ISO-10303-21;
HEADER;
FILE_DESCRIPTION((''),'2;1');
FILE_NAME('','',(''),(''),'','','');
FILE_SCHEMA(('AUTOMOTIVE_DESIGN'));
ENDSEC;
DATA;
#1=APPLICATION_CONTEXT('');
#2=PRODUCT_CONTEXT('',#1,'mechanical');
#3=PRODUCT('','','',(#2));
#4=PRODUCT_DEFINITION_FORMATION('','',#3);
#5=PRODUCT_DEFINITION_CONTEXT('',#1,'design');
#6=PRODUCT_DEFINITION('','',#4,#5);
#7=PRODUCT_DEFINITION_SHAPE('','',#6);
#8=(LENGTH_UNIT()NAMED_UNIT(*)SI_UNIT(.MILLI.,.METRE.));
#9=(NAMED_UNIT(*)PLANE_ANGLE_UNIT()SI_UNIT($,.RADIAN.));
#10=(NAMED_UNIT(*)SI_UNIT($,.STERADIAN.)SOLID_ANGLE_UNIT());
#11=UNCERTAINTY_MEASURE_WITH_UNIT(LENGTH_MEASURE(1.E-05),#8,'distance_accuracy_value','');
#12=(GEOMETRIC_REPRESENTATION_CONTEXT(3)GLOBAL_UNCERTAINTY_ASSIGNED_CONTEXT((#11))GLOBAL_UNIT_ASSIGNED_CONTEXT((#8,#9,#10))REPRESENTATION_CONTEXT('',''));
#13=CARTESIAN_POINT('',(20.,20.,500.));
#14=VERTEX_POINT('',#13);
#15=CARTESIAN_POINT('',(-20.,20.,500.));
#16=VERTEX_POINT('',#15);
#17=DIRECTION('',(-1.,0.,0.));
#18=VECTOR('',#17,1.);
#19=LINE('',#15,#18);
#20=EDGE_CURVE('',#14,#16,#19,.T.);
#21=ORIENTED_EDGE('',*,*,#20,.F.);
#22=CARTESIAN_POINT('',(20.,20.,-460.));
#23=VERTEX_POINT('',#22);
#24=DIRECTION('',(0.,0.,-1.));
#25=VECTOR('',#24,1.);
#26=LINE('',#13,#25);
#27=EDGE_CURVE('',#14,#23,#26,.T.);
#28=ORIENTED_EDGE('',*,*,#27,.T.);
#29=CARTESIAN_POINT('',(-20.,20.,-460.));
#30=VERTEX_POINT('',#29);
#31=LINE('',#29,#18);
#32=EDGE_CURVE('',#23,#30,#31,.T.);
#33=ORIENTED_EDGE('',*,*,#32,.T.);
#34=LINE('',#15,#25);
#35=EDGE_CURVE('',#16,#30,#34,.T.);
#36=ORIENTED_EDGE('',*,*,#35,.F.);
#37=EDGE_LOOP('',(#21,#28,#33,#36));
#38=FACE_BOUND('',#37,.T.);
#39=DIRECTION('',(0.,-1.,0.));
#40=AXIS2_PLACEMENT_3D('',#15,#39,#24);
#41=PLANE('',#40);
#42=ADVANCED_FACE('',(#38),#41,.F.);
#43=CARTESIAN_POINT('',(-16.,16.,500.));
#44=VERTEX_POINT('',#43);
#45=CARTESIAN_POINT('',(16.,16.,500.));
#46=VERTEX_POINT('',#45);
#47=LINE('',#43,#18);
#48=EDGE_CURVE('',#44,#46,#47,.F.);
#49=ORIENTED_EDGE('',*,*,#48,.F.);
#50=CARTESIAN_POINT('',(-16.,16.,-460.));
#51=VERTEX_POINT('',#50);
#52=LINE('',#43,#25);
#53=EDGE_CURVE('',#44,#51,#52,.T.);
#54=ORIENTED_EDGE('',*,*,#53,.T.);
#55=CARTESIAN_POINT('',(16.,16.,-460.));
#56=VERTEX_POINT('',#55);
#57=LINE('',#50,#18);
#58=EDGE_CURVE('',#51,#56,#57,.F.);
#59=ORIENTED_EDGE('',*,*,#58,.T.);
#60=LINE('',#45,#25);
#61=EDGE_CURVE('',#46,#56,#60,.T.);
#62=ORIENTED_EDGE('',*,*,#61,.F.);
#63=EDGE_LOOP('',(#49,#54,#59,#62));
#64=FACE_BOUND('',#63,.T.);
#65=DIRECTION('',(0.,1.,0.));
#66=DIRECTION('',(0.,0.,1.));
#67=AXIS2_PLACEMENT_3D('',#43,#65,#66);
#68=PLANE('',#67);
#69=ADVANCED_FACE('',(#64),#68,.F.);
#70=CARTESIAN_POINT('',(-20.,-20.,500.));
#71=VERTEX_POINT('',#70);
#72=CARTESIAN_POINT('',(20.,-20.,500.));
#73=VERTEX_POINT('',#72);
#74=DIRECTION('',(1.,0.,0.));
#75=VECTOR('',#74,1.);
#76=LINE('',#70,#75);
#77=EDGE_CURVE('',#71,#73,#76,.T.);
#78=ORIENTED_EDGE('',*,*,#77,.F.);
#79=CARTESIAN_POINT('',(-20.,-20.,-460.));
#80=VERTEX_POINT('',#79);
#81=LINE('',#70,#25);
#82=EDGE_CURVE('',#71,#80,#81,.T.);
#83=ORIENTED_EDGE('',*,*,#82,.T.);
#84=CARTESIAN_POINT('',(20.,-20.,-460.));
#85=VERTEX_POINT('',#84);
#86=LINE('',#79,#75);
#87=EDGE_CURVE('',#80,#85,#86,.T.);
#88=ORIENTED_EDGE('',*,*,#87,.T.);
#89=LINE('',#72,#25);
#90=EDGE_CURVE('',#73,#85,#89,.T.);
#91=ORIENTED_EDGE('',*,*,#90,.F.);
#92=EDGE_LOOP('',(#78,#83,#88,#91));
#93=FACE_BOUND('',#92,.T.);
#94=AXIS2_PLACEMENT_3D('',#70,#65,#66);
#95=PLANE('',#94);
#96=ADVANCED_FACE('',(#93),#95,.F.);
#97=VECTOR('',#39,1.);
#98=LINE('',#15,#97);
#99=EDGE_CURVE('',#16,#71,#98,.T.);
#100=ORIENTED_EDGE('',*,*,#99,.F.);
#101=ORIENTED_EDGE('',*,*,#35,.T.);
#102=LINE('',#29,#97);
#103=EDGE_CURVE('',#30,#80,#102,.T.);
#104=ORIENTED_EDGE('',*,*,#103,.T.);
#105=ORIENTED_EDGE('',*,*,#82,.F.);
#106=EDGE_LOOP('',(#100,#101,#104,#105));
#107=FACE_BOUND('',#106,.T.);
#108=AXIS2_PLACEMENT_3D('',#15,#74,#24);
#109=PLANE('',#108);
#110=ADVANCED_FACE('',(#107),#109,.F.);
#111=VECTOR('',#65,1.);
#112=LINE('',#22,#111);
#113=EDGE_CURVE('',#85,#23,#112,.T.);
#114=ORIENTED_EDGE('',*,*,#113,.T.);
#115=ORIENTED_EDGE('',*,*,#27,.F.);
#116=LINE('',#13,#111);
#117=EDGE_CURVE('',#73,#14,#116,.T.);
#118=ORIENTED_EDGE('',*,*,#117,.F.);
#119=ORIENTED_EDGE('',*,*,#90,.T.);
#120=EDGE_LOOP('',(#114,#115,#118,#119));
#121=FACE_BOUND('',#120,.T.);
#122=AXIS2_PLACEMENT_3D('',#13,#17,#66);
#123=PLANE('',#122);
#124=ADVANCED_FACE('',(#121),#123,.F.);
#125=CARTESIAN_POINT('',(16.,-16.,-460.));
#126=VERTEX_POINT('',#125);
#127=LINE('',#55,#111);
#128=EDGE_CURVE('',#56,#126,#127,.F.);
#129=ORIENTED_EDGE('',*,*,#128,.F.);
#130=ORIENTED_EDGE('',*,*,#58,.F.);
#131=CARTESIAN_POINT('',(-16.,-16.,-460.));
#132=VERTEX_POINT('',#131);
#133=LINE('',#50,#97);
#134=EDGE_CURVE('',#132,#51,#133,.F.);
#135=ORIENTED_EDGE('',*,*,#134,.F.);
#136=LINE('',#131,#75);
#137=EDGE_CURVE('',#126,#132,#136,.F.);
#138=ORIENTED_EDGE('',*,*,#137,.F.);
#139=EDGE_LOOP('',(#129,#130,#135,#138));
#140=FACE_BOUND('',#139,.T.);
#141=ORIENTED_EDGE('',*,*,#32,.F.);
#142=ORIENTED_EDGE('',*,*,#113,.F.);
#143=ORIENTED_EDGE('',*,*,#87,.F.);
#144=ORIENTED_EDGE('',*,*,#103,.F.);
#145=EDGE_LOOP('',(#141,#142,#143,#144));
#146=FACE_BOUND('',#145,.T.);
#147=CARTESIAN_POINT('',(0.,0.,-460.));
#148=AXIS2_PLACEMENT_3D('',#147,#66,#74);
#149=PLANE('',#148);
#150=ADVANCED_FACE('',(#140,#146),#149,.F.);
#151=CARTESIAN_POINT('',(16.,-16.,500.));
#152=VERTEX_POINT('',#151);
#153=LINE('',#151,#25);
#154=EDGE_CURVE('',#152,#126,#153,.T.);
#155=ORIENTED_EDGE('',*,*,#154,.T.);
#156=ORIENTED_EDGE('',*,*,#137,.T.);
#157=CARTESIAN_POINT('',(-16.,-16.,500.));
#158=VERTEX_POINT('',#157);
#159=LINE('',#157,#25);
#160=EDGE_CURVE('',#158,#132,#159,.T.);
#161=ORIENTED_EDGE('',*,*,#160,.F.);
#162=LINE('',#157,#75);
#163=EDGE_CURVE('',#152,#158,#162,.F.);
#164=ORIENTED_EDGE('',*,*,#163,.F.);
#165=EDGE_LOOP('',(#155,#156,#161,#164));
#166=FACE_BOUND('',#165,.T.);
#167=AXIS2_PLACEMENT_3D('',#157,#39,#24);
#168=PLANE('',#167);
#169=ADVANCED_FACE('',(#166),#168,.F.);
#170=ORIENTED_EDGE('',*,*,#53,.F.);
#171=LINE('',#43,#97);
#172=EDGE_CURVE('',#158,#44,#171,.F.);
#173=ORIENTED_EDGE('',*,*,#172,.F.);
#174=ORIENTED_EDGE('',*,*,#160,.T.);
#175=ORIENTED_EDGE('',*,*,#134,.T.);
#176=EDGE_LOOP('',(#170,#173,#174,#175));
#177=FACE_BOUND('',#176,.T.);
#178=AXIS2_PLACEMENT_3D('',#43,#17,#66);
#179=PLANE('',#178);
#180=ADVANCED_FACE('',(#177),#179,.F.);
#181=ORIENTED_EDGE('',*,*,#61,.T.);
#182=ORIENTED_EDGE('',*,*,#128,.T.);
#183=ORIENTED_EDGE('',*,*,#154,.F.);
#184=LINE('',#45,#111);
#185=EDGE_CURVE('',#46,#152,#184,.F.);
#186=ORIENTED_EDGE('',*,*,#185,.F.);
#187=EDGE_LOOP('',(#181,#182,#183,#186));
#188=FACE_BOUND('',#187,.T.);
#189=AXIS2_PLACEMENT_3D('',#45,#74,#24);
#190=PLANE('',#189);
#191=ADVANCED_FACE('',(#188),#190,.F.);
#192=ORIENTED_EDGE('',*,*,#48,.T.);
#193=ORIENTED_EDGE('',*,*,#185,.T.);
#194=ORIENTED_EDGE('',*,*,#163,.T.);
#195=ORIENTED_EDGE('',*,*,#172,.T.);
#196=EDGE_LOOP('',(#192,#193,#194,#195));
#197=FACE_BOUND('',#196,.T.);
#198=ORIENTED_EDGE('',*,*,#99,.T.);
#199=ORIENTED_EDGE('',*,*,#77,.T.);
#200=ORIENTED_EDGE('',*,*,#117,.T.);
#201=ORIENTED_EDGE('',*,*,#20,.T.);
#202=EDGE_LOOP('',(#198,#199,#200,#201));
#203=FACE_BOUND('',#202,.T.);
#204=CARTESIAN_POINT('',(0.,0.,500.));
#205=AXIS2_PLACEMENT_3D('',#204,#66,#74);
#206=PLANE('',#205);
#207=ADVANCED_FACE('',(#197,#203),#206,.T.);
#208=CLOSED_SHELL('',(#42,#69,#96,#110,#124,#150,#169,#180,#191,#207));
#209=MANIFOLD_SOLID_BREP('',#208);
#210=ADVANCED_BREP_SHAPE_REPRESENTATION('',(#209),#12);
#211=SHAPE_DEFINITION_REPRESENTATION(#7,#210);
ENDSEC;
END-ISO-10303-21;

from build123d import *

# Parameters (mm, degrees)
SKETCH1_W   = 40
SKETCH1_H   = 40
SKETCH1_W_2 = 32
SKETCH1_H_2 = 32


with BuildPart() as part:
    # Sweep1: sweep along a curve in space
    with BuildLine() as sweep1_path:
        add(Edge.make_bspline(
            [(0, 0, -460), (0, 0, 500)],
            knots=[0, 0, 1, 1], degree=1))
    # Sketch1 → Sweep1 (sweep)
    with BuildSketch(Plane.XY):
        Rectangle(SKETCH1_W, SKETCH1_H)
        Rectangle(SKETCH1_W_2, SKETCH1_H_2, mode=Mode.SUBTRACT)
    sweep(path=sweep1_path.line)


solid = part.part
